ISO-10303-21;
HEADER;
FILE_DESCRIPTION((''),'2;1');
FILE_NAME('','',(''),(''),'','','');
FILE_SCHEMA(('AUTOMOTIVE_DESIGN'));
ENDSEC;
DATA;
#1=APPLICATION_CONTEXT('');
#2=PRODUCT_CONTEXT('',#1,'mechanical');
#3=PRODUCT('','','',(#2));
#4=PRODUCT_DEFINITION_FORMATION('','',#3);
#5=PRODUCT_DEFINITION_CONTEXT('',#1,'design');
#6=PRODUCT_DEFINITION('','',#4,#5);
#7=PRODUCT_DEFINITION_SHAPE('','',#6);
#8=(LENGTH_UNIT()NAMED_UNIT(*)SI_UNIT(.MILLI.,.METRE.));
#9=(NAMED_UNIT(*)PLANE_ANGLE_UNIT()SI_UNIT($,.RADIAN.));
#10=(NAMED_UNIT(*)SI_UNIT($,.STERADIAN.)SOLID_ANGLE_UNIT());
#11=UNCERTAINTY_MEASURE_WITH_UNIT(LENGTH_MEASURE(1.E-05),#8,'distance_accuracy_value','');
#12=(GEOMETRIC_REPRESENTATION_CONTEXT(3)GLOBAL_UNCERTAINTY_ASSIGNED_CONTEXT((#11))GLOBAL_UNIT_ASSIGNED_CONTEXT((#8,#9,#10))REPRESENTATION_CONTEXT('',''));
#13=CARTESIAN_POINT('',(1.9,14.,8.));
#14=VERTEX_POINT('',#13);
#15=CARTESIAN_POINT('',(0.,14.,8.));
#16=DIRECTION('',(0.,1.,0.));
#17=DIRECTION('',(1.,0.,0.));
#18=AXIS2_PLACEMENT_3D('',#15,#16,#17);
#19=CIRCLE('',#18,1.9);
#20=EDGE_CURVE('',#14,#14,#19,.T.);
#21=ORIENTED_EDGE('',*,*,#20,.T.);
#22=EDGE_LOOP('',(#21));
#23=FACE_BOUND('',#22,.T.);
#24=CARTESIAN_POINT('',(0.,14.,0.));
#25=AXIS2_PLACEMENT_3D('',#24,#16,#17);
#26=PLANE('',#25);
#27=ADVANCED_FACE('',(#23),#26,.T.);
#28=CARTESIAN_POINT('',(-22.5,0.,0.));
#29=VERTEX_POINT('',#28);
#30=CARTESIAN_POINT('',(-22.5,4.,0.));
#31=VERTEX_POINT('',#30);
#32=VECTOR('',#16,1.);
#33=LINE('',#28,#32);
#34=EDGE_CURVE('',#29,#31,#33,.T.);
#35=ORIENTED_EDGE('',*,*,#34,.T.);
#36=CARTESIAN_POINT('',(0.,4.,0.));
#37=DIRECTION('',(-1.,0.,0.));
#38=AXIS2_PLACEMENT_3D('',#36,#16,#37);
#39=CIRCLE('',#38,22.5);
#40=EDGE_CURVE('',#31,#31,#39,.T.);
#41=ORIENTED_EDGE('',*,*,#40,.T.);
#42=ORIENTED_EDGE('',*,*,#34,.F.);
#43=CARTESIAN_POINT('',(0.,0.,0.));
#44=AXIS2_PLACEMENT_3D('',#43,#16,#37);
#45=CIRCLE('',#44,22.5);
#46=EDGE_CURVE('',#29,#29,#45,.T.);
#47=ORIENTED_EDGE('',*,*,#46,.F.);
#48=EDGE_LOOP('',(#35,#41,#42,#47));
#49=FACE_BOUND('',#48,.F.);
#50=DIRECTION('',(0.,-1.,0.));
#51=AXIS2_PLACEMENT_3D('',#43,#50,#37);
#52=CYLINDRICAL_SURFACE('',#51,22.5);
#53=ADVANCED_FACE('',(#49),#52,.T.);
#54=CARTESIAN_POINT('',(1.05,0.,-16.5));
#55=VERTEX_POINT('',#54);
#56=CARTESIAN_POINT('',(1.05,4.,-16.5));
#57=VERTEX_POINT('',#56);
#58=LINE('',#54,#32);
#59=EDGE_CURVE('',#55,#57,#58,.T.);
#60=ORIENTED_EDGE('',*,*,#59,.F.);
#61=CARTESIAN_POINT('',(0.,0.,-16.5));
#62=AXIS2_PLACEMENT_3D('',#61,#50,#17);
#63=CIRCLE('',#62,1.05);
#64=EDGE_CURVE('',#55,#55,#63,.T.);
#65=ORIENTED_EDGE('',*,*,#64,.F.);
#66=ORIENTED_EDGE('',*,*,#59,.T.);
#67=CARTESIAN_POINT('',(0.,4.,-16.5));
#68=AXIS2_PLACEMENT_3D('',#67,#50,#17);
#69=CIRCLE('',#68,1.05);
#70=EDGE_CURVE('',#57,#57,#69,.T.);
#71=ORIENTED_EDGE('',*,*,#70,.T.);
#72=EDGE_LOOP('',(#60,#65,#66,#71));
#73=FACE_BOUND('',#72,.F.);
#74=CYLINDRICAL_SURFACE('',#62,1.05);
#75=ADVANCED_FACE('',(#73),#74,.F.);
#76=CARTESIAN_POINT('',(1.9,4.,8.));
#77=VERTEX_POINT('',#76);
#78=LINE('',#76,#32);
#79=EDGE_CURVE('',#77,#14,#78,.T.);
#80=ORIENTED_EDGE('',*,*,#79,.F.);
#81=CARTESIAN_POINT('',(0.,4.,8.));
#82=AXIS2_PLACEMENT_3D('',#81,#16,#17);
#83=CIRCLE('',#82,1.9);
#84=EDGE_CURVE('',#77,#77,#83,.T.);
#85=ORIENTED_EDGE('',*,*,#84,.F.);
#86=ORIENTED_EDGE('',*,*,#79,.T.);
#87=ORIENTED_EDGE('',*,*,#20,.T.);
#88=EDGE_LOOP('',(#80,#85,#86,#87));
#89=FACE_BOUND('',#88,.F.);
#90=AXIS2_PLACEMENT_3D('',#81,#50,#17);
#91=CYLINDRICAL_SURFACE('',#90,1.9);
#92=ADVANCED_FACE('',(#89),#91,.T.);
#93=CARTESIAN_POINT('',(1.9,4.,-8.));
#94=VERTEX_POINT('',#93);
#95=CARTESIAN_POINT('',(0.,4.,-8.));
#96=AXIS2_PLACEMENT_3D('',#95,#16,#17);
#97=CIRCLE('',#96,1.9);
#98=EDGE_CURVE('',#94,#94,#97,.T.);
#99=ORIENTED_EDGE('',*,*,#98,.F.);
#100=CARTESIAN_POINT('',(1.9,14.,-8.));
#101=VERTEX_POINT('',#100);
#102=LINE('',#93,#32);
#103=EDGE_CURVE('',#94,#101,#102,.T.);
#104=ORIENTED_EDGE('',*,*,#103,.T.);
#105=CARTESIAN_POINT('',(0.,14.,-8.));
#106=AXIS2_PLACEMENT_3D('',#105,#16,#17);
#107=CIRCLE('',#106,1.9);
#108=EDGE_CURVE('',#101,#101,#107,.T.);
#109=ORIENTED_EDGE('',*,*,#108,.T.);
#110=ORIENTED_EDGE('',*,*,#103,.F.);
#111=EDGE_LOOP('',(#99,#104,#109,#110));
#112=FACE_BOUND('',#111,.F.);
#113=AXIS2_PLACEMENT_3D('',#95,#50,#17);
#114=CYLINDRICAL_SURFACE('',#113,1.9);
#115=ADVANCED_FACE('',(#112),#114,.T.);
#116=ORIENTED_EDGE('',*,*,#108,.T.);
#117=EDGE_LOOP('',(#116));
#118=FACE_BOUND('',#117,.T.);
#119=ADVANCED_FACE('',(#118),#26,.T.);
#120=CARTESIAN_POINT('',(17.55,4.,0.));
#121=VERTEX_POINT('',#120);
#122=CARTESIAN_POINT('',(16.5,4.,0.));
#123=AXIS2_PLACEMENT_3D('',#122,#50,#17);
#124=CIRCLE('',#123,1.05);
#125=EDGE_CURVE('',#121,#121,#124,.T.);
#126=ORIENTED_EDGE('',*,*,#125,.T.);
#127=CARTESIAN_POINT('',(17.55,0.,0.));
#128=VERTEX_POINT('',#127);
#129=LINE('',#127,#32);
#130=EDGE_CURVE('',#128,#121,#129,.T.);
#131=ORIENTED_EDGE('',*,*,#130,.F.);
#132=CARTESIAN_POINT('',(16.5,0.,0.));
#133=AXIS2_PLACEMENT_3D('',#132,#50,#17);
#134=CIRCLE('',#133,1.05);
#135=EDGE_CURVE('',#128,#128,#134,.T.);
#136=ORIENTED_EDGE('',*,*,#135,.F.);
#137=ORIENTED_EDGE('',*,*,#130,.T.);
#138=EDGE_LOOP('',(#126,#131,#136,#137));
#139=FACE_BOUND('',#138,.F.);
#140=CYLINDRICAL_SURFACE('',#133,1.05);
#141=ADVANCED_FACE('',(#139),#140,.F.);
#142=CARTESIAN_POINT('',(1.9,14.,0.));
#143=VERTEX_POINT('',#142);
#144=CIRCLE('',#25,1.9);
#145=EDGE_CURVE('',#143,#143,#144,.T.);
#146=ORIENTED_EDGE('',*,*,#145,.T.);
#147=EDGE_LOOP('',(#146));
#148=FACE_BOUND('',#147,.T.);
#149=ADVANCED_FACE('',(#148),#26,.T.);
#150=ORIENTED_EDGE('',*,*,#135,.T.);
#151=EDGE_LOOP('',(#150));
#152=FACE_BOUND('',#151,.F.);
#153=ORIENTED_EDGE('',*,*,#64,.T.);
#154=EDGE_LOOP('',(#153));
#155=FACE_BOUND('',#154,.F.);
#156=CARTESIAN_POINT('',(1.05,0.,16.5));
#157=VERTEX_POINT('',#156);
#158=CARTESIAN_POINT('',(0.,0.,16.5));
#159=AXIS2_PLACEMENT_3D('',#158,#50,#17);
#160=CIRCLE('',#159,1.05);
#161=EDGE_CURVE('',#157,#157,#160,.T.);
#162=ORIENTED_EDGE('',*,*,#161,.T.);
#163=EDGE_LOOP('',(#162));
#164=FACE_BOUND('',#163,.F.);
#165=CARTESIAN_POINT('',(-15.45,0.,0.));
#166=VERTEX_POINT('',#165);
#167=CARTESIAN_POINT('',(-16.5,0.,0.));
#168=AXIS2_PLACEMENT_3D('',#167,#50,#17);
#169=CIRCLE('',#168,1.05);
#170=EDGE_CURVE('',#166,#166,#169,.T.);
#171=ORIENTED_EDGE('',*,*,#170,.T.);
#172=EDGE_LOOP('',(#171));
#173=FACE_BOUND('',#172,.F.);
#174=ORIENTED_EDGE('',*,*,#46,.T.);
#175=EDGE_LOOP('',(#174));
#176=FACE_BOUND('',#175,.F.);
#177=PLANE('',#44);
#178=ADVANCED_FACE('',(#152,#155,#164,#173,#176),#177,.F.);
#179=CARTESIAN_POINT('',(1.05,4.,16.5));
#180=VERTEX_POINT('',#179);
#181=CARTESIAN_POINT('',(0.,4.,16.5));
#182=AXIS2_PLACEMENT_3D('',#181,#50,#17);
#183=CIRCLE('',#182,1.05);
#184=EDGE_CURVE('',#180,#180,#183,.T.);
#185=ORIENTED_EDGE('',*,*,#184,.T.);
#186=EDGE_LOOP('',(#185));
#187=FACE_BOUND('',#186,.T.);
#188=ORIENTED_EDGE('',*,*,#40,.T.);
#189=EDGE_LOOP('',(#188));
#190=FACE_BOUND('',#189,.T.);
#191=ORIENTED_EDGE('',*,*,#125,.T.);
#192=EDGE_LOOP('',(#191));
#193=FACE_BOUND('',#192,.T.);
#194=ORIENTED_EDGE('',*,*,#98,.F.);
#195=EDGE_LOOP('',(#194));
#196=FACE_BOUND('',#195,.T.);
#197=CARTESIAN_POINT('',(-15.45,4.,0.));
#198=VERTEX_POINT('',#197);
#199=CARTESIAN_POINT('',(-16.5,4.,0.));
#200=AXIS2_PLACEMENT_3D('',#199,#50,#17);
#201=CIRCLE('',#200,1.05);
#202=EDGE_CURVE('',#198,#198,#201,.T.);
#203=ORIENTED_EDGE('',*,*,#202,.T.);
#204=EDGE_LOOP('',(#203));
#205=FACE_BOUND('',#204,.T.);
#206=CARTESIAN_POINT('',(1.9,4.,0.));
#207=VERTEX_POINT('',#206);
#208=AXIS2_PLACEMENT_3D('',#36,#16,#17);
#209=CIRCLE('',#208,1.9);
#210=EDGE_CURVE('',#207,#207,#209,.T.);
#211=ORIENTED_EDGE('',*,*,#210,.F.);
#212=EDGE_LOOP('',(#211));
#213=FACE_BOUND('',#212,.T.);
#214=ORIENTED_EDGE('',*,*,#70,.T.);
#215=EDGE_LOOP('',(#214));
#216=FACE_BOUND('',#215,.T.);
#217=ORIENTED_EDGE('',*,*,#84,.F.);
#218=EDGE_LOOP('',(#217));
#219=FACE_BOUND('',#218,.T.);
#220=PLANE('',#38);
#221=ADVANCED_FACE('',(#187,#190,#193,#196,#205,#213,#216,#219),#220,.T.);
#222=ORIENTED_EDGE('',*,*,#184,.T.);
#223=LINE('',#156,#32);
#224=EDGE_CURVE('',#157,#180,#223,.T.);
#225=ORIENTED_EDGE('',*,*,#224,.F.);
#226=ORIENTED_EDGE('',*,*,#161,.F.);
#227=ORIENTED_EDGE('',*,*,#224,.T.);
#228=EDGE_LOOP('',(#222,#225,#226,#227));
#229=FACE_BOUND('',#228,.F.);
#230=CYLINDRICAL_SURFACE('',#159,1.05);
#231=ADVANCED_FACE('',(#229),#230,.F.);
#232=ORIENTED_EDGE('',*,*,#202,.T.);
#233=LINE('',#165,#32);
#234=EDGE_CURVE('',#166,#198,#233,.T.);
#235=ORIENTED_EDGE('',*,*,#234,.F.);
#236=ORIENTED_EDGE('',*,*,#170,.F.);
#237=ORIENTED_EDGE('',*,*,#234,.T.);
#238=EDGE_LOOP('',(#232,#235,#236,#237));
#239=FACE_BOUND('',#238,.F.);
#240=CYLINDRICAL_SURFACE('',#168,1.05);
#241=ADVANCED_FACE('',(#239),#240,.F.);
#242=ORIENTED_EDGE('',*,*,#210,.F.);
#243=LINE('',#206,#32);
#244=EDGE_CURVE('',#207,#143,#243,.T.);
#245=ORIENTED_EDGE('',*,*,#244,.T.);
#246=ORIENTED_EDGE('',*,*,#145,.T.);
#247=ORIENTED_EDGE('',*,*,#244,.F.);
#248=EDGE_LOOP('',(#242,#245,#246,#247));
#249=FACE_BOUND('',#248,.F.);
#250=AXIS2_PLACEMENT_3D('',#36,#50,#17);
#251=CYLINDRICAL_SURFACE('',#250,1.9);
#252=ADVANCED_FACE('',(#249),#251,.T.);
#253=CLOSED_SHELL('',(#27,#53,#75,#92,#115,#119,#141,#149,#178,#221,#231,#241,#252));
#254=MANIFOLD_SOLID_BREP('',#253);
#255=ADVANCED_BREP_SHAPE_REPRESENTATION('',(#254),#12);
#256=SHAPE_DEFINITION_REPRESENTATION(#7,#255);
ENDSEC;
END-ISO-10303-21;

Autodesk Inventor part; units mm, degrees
ref_plane "YZ Plane" through (0, 0, 0) normal (1, 0, 0) x (0, 1, 0)
ref_plane "XZ Plane" through (0, 0, 0) normal (0, 1, 0) x (-1, 0, 0)
ref_plane "XY Plane" through (0, 0, 0) normal (0, 0, 1) x (1, 0, 0)
sketch "Sketch1" plane through (0, 0, 0) normal (0, 1, 0) x (-1, 0, 0)
  circle A0 centre (0, 0) radius 22.5
  dimension "d0" = 45
extrude "Extrusion1" add sketch "Sketch1" along normal blind 4
sketch "Sketch2" plane through (0, 4, 0) normal (0, 1, 0) x (1, 0, 0)
  line L0 (0, 0) -> (0, 8) construction
  line L1 (0, 0) -> (0, -8) construction
  circle A0 centre (0, 8) radius 1.9
  circle A1 centre (0, 0) radius 1.9
  circle A2 centre (0, -8) radius 1.9
  dimension "d3" = 8
  dimension "d4" = 8
  dimension "d5" = 3.8
  dimension "d6" = 3.8
  dimension "d7" = 3.8
extrude "Extrusion2" add sketch "Sketch2" along normal blind 10
sketch "Sketch7" plane through (0, 0, 0) normal (0, -1, 0) x (1, 0, 0)
  circle A0 centre (0, 0) radius 16.5 construction
  circle A1 centre (0, 16.5) radius 1.05
  circle A2 centre (16.5, 0) radius 1.05
  circle A3 centre (-16.5, 0) radius 1.05
  circle A4 centre (0, -16.5) radius 1.05
  dimension "d42" = 33
  dimension "d43" = 2.1
  dimension "d44" = 2.1
  dimension "d45" = 2.1
  dimension "d46" = 2.1
extrude "Extrusion6" cut sketch "Sketch7" against normal blind 5
properties part number "Motor Mount Barebones bigscrew4mmheight"
